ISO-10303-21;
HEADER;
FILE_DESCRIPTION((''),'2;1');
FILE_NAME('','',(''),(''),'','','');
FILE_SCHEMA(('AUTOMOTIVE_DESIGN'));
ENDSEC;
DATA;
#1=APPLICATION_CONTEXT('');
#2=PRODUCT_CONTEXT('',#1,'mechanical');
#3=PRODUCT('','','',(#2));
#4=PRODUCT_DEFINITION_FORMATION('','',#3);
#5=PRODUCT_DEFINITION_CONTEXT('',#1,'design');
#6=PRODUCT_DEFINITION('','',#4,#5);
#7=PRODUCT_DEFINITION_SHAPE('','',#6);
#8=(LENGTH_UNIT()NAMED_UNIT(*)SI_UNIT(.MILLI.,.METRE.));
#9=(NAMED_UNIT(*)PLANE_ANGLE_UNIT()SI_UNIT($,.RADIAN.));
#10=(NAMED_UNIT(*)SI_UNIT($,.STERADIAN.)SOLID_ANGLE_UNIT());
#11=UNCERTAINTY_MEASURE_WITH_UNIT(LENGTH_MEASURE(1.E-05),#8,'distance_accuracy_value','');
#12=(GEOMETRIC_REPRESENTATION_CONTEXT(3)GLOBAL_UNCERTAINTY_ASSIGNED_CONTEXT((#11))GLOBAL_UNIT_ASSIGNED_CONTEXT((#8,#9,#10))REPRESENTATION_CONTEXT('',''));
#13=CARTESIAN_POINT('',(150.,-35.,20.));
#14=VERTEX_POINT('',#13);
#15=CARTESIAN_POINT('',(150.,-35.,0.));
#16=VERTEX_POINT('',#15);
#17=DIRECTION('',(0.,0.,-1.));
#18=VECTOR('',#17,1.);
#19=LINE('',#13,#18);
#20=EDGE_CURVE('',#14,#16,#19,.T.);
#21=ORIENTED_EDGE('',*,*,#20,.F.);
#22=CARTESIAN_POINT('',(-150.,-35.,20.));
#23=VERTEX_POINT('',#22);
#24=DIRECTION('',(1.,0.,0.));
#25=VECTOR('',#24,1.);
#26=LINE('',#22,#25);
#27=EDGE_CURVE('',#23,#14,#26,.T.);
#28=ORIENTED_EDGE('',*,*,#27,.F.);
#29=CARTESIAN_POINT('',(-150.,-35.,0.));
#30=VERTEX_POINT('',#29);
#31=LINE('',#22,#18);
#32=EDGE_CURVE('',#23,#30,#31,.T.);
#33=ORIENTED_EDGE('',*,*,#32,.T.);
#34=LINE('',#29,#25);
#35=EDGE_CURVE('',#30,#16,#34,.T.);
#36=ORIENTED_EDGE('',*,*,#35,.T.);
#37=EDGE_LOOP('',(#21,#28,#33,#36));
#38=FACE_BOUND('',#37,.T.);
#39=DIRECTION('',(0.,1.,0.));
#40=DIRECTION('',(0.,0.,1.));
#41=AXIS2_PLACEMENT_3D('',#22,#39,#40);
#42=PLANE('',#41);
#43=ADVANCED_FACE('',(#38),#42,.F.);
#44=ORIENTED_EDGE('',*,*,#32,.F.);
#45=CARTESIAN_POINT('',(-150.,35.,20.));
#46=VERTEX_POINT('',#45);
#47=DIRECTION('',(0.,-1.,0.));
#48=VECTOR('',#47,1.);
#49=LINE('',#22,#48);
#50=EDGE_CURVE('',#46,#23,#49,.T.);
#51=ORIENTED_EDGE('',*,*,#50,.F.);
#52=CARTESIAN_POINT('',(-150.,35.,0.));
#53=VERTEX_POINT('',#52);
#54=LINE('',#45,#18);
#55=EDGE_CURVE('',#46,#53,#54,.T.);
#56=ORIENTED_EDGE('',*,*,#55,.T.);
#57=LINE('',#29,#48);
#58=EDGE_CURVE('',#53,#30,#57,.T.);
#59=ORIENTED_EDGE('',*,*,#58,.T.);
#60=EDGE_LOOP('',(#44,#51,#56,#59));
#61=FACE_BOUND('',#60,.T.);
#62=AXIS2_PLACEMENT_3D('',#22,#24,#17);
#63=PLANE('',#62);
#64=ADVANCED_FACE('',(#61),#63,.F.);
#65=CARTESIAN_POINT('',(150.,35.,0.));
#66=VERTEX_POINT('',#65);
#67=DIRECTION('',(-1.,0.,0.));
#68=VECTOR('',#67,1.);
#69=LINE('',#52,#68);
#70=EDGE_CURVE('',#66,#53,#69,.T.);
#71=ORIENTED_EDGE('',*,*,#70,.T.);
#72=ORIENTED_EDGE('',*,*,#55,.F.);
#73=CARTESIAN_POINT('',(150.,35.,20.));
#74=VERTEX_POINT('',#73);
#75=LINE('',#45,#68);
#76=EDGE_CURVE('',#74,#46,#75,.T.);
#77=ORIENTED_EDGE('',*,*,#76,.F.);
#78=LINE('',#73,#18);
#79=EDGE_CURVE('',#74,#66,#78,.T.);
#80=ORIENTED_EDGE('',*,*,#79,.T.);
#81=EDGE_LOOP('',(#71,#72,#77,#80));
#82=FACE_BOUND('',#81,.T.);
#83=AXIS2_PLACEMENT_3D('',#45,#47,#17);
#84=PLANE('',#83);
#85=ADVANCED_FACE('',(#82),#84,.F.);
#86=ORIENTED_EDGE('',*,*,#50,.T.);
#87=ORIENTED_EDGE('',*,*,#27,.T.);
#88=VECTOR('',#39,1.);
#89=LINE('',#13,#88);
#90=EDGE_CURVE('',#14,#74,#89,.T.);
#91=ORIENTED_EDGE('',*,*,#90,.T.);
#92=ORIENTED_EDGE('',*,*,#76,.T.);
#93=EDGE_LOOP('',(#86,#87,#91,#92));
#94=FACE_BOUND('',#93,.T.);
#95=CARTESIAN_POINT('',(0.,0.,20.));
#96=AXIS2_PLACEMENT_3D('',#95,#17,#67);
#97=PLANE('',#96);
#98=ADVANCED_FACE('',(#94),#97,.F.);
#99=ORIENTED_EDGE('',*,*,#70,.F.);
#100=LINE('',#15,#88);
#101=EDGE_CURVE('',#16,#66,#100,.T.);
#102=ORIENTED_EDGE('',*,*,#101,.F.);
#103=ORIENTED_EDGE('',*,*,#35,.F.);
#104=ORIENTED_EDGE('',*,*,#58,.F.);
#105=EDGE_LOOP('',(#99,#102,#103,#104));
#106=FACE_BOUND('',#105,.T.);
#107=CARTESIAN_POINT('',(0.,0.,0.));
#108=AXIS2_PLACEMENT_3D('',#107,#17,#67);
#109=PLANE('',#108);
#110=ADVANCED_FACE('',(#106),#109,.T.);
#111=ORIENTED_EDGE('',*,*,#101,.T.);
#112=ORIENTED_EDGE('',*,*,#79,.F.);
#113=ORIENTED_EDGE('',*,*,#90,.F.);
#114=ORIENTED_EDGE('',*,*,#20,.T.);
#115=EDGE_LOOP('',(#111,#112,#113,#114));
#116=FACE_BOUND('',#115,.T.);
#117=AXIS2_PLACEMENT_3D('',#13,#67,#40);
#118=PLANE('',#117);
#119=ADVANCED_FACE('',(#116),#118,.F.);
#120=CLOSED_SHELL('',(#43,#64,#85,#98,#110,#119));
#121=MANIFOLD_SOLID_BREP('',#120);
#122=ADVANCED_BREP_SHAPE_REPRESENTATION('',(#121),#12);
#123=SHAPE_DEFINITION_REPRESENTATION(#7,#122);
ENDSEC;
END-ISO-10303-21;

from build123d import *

# Parameters (mm, degrees)
SKETCH_1_W      = 300
SKETCH_1_H      = 70
EXTRUDE_1_DEPTH = 20


with BuildPart() as part:
    # 草图1 → 凸台-拉伸1 (new body)
    with BuildSketch(Plane.XY):
        Rectangle(SKETCH_1_W, SKETCH_1_H)
    extrude(amount=EXTRUDE_1_DEPTH)


solid = part.part
